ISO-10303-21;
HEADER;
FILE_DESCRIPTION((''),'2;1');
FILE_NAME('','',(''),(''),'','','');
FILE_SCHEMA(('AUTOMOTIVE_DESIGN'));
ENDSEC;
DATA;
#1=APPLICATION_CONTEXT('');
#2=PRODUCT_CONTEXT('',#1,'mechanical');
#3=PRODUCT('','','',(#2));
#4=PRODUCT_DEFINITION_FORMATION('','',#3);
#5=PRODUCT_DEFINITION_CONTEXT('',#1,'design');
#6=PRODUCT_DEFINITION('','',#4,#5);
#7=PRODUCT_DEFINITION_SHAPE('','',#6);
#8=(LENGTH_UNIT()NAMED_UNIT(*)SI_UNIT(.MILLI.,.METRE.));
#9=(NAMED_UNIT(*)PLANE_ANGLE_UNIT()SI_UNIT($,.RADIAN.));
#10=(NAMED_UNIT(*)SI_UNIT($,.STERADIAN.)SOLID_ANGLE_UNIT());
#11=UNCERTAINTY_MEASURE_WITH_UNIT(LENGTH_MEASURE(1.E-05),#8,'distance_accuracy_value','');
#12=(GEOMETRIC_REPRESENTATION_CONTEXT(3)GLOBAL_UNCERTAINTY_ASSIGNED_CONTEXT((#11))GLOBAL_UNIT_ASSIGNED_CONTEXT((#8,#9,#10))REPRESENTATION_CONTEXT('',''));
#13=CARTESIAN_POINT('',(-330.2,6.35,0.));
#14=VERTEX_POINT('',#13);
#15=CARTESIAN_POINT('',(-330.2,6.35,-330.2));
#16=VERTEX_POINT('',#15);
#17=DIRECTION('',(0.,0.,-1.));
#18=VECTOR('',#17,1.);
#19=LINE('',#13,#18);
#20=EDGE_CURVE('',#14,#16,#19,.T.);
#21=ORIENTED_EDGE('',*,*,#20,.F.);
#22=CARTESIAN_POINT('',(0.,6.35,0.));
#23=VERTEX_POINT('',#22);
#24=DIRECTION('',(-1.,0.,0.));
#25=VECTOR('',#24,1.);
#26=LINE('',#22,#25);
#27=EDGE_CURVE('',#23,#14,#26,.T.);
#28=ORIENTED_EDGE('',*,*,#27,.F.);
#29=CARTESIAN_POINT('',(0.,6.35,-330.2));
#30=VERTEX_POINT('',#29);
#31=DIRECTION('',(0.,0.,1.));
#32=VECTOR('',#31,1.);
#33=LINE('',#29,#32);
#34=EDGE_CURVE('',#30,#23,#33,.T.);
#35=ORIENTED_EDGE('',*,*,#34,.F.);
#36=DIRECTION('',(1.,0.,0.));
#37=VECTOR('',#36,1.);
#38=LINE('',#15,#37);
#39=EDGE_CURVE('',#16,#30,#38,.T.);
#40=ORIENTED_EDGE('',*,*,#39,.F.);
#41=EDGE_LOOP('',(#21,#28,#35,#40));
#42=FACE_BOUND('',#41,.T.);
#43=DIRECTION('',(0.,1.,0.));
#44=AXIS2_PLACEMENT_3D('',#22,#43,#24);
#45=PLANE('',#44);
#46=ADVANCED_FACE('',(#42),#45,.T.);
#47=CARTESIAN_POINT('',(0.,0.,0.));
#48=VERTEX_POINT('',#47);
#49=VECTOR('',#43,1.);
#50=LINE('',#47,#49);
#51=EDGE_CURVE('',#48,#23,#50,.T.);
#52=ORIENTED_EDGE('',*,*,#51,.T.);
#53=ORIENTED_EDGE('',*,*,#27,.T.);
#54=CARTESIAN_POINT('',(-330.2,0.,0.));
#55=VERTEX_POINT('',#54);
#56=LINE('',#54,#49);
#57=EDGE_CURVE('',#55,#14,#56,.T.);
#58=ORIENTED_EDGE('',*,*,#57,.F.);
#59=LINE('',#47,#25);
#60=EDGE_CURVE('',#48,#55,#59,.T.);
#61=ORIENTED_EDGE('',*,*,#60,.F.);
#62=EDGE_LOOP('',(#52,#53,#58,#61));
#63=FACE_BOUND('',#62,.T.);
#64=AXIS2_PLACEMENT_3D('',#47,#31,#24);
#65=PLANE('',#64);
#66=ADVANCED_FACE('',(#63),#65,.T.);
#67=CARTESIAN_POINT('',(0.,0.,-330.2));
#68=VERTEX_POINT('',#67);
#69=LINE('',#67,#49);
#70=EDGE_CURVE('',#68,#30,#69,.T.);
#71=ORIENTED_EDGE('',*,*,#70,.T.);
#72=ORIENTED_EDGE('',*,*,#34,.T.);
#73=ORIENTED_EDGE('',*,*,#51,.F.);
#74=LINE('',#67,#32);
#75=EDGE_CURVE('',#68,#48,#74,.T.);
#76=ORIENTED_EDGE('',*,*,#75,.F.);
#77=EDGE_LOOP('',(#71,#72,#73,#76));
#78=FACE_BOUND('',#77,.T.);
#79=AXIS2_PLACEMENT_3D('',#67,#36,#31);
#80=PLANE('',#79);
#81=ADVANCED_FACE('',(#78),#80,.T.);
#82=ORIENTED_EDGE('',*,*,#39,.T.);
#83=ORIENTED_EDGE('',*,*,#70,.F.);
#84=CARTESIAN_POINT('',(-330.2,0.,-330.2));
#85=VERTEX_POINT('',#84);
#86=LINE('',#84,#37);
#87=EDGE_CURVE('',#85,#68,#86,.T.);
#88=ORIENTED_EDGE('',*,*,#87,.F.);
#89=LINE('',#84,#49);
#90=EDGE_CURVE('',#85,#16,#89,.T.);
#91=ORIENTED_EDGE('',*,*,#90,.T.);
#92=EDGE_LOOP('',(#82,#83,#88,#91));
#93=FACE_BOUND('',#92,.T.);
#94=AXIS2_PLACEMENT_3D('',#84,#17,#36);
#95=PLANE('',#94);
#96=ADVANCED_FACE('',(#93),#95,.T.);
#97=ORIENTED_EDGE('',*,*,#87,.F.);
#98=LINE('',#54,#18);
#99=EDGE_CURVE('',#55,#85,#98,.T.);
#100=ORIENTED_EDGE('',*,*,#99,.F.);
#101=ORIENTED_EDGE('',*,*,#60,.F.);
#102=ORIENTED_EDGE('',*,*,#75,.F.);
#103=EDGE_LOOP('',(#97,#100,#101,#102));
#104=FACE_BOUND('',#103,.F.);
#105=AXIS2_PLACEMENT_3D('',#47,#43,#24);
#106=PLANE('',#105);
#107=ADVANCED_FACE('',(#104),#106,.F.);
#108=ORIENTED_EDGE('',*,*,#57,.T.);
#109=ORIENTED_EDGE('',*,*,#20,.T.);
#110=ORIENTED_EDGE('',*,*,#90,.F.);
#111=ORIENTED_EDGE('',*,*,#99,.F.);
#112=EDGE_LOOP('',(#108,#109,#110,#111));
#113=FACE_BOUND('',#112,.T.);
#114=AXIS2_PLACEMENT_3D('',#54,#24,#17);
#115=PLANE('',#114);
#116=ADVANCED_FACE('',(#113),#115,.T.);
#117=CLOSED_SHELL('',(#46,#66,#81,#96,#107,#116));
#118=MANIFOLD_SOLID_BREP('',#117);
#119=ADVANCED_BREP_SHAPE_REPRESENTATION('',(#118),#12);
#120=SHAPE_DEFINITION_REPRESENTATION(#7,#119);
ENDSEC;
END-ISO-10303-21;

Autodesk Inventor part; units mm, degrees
ref_plane "YZ Plane" through (0, 0, 0) normal (1, 0, 0) x (0, 1, 0)
ref_plane "XZ Plane" through (0, 0, 0) normal (0, 1, 0) x (-1, 0, 0)
ref_plane "XY Plane" through (0, 0, 0) normal (0, 0, 1) x (1, 0, 0)
sketch "Sketch1" plane through (0, 0, 0) normal (0, 1, 0) x (-1, 0, 0)
  line L0 (0, 0) -> (330.2, 0)
  line L1 (330.2, 0) -> (330.2, -330.2)
  line L2 (330.2, -330.2) -> (0, -330.2)
  line L3 (0, -330.2) -> (0, 0)
  dimension "d0" = 330.2
  dimension "d1" = 330.2
extrude "Extrusion1" add sketch "Sketch1" along normal blind 6.35
properties part number "Pneumatics Arm Shelf (Wood)"
